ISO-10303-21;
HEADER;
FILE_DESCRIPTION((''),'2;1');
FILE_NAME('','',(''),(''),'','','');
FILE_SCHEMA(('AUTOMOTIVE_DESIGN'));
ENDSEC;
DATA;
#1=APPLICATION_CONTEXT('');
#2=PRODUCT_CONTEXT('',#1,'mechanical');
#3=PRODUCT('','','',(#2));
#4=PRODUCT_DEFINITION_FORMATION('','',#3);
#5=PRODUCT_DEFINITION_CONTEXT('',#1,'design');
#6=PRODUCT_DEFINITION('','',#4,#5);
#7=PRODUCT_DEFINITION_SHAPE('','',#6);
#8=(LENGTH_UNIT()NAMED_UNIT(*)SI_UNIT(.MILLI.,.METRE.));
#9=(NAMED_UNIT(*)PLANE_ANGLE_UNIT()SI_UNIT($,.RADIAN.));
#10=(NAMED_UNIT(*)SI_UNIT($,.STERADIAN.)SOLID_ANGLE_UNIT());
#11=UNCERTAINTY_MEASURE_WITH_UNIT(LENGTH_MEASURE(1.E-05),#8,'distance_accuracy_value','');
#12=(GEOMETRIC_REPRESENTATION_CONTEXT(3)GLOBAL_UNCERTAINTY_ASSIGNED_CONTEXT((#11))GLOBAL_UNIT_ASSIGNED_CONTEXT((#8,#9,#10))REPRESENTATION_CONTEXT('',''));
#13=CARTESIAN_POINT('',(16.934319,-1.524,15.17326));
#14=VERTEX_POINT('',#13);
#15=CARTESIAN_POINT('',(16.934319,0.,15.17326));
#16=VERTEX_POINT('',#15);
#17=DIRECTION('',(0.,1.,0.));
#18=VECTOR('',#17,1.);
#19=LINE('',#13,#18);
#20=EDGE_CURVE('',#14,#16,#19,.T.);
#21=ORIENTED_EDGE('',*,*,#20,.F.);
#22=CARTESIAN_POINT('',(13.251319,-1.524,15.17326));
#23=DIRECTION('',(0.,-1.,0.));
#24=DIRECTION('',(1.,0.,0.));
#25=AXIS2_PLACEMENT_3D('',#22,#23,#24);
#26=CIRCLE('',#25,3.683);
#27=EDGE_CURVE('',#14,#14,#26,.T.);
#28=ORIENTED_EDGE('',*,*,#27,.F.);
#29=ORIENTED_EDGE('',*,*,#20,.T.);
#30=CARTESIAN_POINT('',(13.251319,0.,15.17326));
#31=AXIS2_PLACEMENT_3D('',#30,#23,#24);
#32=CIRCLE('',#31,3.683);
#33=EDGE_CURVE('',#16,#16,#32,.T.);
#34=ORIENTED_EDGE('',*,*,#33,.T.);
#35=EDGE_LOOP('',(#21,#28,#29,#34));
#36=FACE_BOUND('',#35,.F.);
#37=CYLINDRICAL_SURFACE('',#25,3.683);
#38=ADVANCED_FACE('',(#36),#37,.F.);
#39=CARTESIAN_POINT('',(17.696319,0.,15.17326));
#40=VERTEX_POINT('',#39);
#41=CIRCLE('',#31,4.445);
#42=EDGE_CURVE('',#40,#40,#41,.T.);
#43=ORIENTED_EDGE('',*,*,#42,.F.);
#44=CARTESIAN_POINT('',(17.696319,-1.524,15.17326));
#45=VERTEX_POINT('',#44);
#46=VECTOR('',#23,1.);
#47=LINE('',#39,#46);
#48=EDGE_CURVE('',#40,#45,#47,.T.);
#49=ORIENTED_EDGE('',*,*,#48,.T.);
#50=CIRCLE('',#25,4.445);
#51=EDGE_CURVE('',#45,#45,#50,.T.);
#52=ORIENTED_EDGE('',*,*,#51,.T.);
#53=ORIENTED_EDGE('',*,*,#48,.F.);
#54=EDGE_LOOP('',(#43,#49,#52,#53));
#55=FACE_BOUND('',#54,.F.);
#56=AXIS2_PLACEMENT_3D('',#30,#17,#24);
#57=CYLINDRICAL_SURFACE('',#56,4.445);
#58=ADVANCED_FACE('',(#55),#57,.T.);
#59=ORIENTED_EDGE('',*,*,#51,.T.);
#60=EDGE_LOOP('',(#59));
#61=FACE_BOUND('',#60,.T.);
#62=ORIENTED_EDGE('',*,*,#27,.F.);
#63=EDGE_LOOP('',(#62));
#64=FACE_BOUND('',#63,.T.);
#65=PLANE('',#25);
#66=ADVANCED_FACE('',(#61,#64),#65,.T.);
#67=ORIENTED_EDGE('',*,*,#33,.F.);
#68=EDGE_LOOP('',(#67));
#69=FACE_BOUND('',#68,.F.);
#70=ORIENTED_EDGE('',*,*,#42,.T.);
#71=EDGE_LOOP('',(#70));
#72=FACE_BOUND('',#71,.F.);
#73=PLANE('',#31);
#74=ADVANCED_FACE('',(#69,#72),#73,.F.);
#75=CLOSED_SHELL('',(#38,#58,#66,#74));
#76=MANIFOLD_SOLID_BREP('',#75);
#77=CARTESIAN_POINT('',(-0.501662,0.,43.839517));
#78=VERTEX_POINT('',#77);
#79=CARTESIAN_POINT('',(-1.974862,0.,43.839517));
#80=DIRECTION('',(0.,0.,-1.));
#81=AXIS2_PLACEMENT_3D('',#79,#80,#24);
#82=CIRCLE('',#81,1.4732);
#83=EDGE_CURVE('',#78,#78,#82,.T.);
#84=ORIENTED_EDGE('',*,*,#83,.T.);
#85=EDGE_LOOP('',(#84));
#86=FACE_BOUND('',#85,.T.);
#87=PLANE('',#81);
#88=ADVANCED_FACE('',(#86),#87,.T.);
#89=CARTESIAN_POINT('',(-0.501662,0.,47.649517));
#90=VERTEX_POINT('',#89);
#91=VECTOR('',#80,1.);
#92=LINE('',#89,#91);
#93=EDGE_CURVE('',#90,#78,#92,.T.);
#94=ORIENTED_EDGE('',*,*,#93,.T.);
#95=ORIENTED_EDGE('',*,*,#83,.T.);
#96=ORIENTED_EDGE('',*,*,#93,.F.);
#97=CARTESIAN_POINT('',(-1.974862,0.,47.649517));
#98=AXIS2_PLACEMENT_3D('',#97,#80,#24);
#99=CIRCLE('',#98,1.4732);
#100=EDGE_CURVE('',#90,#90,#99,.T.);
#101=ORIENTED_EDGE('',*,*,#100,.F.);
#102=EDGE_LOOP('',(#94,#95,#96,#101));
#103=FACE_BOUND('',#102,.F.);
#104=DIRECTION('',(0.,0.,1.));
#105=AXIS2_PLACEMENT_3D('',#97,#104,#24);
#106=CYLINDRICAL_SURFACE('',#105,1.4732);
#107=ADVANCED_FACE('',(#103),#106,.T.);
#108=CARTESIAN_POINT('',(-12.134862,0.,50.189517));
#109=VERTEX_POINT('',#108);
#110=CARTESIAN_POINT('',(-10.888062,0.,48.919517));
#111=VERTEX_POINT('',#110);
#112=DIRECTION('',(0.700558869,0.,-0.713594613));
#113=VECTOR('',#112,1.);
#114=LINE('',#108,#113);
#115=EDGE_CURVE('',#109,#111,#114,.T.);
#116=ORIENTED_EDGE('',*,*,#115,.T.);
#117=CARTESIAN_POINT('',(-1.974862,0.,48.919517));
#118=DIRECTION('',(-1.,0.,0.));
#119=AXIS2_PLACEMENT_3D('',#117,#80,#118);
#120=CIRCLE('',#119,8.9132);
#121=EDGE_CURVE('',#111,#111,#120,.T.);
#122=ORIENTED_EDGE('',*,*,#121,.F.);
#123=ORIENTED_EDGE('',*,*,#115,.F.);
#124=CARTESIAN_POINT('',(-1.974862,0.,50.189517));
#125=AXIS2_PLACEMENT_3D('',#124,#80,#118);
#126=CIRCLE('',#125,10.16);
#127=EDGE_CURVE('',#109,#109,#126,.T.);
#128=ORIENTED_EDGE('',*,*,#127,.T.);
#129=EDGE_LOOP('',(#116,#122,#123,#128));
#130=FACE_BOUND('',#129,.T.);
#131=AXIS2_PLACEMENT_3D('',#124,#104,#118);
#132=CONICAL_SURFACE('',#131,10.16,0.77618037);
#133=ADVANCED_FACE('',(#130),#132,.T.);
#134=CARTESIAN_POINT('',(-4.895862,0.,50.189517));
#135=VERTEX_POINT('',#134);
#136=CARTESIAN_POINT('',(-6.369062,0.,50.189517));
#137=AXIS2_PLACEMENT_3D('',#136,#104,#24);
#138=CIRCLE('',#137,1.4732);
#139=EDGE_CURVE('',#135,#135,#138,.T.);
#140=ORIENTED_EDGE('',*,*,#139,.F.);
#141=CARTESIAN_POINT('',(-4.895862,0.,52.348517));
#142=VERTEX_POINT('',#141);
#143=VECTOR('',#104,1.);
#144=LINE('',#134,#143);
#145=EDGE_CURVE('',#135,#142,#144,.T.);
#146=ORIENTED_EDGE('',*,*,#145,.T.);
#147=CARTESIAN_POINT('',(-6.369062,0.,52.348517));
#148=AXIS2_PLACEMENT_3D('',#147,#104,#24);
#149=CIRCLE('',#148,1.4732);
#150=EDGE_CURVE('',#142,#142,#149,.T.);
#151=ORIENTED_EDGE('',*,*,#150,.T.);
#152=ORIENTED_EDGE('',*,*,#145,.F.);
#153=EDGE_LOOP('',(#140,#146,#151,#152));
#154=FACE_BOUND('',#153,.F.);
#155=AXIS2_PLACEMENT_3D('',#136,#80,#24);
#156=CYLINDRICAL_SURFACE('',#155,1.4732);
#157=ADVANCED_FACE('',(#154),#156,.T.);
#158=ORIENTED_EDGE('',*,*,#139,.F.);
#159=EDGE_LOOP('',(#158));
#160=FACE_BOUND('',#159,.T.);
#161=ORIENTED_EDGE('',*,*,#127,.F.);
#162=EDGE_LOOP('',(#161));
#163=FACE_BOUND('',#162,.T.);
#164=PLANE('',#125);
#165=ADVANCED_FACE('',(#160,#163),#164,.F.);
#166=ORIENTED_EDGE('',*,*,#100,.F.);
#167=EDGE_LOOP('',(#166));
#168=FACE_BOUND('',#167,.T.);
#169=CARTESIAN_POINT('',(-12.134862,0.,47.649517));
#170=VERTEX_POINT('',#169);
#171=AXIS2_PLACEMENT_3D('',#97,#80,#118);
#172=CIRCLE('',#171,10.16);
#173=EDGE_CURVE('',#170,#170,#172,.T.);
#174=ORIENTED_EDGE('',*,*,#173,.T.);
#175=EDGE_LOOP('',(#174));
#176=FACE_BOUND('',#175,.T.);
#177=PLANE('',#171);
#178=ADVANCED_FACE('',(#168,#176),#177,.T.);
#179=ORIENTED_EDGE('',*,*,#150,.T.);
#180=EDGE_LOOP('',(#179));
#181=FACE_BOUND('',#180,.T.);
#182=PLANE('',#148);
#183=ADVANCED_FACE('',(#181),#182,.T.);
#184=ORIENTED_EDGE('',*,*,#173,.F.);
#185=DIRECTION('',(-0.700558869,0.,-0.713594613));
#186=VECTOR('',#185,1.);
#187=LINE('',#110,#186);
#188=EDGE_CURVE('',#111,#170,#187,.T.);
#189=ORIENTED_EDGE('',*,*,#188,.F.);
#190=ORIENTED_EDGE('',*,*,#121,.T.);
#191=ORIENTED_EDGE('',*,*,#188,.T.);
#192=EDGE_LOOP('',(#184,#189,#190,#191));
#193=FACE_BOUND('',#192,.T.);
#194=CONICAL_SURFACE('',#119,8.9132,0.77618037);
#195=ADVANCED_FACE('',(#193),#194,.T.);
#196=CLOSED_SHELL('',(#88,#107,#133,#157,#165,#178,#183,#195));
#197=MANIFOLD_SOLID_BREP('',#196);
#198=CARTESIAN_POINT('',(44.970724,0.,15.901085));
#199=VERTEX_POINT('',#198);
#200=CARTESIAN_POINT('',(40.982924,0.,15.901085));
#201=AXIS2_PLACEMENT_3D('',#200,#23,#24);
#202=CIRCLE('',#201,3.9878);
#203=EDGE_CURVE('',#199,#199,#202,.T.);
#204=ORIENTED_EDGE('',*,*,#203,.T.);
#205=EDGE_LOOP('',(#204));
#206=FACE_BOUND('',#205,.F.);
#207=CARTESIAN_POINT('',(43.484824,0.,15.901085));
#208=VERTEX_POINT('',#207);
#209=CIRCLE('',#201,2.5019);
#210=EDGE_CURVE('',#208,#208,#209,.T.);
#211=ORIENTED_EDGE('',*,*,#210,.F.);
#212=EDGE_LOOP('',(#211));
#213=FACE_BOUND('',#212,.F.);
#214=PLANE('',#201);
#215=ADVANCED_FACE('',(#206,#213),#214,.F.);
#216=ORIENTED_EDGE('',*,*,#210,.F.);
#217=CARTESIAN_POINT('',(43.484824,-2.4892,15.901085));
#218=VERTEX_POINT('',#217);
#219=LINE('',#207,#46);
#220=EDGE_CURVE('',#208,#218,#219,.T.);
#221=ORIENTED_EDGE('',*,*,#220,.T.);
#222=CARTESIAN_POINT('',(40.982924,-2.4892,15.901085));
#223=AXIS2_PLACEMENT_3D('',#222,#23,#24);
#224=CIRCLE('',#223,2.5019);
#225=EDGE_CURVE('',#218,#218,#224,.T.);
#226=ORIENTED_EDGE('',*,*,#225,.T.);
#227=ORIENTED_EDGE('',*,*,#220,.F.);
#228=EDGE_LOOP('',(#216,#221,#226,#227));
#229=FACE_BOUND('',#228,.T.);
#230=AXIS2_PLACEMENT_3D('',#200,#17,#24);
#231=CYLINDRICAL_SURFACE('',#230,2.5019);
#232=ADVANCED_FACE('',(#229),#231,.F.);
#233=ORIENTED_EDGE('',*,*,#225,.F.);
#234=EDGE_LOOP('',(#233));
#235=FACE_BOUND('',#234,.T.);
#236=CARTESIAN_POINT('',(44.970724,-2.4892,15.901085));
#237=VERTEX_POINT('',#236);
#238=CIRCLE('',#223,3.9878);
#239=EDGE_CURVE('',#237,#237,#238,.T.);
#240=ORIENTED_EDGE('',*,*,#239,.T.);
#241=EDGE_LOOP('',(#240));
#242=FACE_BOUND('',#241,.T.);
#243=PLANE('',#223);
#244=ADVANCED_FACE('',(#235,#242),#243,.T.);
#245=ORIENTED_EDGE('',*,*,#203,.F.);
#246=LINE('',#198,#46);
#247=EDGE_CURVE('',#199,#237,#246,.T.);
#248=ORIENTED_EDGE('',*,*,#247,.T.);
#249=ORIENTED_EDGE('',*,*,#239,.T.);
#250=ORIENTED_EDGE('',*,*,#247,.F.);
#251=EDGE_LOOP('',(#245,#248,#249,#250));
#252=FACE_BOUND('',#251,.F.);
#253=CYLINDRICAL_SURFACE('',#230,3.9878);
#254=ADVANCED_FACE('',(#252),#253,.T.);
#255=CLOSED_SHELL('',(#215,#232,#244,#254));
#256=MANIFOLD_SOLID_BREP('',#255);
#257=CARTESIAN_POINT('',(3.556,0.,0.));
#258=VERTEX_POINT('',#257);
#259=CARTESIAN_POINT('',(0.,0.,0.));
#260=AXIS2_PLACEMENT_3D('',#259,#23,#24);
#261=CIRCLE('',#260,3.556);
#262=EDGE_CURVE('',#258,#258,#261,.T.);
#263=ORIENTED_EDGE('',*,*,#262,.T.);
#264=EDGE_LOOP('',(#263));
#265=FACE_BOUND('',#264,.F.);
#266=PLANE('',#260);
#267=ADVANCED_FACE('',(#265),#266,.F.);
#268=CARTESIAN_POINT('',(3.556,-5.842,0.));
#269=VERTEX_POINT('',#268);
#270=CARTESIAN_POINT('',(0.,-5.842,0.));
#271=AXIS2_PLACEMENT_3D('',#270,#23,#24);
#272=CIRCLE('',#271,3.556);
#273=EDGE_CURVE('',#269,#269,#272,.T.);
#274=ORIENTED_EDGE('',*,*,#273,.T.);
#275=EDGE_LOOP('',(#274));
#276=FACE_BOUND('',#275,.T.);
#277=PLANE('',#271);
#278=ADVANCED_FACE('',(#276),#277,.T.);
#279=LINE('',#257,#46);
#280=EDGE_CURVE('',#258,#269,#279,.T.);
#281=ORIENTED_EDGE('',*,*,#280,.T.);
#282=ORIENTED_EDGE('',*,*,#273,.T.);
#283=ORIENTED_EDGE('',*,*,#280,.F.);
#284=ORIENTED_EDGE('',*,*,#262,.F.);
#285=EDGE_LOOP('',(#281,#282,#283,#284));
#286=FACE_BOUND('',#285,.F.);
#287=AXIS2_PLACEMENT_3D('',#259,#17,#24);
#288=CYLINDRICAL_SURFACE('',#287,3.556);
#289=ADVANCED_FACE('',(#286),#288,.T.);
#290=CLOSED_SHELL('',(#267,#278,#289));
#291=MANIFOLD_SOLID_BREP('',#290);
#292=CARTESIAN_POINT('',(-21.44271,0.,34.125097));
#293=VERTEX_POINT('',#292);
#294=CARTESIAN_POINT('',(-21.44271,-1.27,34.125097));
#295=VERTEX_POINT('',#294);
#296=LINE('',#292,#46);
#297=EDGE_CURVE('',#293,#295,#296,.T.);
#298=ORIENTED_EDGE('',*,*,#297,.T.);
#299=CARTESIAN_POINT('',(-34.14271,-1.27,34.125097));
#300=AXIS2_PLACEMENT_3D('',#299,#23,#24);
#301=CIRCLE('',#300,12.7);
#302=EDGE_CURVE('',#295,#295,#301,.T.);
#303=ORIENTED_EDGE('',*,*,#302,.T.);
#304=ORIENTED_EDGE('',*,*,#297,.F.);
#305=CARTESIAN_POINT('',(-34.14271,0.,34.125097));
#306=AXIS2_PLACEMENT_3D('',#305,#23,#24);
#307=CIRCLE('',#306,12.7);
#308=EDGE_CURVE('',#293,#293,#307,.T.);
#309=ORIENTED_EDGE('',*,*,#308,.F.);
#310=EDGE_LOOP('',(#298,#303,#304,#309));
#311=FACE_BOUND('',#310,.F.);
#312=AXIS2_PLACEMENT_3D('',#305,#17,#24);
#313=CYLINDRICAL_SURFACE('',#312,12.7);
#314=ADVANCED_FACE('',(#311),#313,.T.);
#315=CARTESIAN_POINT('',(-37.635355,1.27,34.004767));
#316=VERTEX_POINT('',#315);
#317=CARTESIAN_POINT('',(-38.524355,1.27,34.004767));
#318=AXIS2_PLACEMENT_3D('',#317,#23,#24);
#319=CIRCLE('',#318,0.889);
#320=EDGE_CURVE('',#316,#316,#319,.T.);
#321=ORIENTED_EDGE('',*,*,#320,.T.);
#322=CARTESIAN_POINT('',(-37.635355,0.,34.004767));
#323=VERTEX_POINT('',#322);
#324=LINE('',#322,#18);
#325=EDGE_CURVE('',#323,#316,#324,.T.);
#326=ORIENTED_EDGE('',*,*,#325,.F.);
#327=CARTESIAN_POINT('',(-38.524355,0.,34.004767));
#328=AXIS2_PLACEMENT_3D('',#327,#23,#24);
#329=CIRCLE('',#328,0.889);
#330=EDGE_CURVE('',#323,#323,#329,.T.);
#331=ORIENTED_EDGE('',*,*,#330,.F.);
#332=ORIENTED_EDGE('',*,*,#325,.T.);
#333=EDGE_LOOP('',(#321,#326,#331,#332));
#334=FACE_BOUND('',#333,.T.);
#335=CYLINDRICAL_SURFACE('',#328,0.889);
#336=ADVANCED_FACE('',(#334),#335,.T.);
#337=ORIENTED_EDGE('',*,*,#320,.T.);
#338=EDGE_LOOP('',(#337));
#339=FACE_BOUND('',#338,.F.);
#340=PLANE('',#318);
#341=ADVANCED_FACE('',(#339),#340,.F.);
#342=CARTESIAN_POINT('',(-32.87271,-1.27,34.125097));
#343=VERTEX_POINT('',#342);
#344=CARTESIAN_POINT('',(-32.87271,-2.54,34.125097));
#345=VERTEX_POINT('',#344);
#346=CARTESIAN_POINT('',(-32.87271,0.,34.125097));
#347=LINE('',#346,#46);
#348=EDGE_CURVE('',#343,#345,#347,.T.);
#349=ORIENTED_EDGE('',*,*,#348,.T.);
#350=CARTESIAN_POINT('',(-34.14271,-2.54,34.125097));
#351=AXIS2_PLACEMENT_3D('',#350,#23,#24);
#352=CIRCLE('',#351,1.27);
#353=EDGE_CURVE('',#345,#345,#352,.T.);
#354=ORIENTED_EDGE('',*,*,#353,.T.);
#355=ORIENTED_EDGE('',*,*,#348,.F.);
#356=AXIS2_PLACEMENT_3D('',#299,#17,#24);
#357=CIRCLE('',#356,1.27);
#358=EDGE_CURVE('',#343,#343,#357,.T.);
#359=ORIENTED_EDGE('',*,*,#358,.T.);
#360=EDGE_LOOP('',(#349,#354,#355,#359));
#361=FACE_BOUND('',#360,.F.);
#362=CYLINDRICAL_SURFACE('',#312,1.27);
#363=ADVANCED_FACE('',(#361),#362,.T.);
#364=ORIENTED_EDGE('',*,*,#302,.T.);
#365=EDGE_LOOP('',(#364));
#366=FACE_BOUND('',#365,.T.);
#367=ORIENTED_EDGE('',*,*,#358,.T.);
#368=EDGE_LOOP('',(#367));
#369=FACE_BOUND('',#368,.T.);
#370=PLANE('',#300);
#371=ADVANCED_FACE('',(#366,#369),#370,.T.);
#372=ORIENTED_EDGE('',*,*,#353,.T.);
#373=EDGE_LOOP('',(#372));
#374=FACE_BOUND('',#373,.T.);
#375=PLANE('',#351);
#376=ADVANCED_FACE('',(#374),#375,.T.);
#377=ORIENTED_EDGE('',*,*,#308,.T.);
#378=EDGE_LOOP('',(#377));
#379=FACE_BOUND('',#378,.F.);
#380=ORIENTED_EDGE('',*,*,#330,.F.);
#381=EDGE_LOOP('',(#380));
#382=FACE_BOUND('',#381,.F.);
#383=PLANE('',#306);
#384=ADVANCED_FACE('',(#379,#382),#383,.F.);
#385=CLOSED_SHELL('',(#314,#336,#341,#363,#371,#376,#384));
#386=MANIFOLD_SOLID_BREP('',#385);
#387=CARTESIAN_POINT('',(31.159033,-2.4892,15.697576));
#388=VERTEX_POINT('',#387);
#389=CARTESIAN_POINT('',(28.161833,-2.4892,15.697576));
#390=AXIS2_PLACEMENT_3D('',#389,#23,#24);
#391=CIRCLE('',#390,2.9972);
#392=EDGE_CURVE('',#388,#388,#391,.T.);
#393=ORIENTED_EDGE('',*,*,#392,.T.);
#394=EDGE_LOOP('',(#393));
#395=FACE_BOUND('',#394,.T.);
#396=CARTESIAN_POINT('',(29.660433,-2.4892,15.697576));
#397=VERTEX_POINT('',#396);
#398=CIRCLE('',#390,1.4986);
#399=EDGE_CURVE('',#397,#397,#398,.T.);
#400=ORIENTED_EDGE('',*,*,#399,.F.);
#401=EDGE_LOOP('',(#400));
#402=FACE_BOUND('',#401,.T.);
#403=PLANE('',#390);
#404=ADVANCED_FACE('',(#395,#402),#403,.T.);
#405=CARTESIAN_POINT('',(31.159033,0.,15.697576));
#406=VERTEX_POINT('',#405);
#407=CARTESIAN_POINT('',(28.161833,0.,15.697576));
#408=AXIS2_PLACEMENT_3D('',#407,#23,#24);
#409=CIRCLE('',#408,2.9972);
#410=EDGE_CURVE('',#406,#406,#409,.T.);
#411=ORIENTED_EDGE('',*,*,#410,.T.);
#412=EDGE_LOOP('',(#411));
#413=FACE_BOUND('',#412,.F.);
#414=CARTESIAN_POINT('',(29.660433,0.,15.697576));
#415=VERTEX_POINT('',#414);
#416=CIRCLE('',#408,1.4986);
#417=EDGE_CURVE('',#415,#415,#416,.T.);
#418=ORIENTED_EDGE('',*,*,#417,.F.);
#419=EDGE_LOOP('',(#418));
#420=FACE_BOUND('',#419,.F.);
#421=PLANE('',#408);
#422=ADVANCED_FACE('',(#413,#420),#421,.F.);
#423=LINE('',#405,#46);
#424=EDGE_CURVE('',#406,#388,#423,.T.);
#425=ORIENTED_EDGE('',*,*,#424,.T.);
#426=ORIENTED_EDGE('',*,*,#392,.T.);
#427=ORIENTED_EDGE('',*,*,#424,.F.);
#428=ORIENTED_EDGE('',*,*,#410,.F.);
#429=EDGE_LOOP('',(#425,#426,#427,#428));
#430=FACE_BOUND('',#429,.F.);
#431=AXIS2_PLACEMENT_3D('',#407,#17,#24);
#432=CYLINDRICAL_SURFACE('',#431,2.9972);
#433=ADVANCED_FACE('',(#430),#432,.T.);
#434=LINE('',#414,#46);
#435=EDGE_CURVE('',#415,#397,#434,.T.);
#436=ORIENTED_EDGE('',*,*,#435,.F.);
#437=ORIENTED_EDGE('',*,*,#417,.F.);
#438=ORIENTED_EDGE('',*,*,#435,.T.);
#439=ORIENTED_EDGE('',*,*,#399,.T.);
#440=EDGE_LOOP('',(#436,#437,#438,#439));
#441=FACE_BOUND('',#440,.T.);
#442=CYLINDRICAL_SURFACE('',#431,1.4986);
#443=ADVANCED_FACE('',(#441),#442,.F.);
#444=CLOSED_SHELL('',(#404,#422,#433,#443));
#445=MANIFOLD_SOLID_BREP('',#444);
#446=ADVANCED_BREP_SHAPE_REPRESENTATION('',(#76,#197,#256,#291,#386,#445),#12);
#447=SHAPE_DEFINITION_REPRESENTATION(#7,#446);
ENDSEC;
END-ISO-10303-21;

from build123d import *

# Parameters (mm, degrees)
F0_R      = 3.556
F1_DEPTH  = 5.842
F2_R      = 4.445
F3_DEPTH  = 1.524
F4_R      = 3.683
F5_DEPTH  = 25.4
F6_R      = 12.7
F6_R_2    = 0.889
F6_R_3    = 1.27
F7_DEPTH  = 1.27
F8_DEPTH  = 1.27
F9_DEPTH  = 2.54
F11_R     = 1.4732
F12_DEPTH = 2.159
F2_R_2    = 2.9972
F2_R_3    = 1.4986
F2_R_4    = 3.9878
F2_R_5    = 2.5019
F13_DEPTH = 2.4892
F14_R     = 1.4732
F15_DEPTH = 3.81


with BuildPart() as f1:
    # F0 (on Front) → F1 (new body)
    with BuildSketch(Plane.XZ):
        Circle(F0_R)
    extrude(amount=F1_DEPTH)


with BuildPart() as f3:
    # F2 (on Front) → F3 (new body)
    with BuildSketch(Plane.XZ):
        with Locations((13.251319, 15.17326)):
            Circle(F2_R)
    extrude(amount=F3_DEPTH)

    # F4 (on face) → F5 (cut)
    with BuildSketch(Plane.XZ.offset(1.524)):
        with Locations((13.251319, 15.17326)):
            Circle(F4_R)
    extrude(amount=-F5_DEPTH, mode=Mode.SUBTRACT)


with BuildPart() as f7:
    # F6 (on Front) → F7 (new body)
    with BuildSketch(Plane.XZ):
        with Locations((-34.14271, 34.125097)):
            Circle(F6_R)
        with Locations((-38.524355, 34.004767)):
            Circle(F6_R_2, mode=Mode.SUBTRACT)
        with Locations((-34.14271, 34.125097)):
            Circle(F6_R_3, mode=Mode.SUBTRACT)
        with Locations((-38.524355, 34.004767)):
            Circle(F6_R_2)
        with Locations((-34.14271, 34.125097)):
            Circle(F6_R_3)
    extrude(amount=F7_DEPTH)

    # F6 (on Front) → F8 (join)
    with BuildSketch(Plane.XZ):
        with Locations((-38.524355, 34.004767)):
            Circle(F6_R_2)
    extrude(amount=-F8_DEPTH)

    # F6 (on Front) → F9 (join)
    with BuildSketch(Plane.XZ):
        with Locations((-34.14271, 34.125097)):
            Circle(F6_R_3)
    extrude(amount=F9_DEPTH)


with BuildPart() as f10:
    # F6 (on Front) → F10 (revolve)
    with BuildSketch(Plane.XZ):
        Polygon((-1.974862, 50.189517), (-12.134862, 50.189517), (-10.888062, 48.919517), (-12.134862, 47.649517), (-1.974862, 47.649517), align=None)
    revolve(axis=Axis((-1.974862, 0, 48.919517), (0, 0, -1)))

    # F11 (on face) → F12 (join)
    with BuildSketch(Plane.XY.offset(50.189517)):
        with Locations((-6.369062, 0)):
            Circle(F11_R)
    extrude(amount=F12_DEPTH)

    # F14 (on face) → F15 (join)
    with BuildSketch(Plane(origin=(0, 0, 47.649517), x_dir=(1, 0, 0), z_dir=(0, 0, -1))):
        with Locations((-1.974862, 0)):
            Circle(F14_R)
    extrude(amount=F15_DEPTH)


with BuildPart() as f13:
    # F2 (on Front) → F13 (new body)
    with BuildSketch(Plane.XZ):
        with Locations((28.161833, 15.697576)):
            Circle(F2_R_2)
        with Locations((28.161833, 15.697576)):
            Circle(F2_R_3, mode=Mode.SUBTRACT)
        with Locations((40.982924, 15.901085)):
            Circle(F2_R_4)
        with Locations((40.982924, 15.901085)):
            Circle(F2_R_5, mode=Mode.SUBTRACT)
    extrude(amount=F13_DEPTH)


solid = Compound([f1.part, f3.part, f7.part, f10.part, f13.part])
